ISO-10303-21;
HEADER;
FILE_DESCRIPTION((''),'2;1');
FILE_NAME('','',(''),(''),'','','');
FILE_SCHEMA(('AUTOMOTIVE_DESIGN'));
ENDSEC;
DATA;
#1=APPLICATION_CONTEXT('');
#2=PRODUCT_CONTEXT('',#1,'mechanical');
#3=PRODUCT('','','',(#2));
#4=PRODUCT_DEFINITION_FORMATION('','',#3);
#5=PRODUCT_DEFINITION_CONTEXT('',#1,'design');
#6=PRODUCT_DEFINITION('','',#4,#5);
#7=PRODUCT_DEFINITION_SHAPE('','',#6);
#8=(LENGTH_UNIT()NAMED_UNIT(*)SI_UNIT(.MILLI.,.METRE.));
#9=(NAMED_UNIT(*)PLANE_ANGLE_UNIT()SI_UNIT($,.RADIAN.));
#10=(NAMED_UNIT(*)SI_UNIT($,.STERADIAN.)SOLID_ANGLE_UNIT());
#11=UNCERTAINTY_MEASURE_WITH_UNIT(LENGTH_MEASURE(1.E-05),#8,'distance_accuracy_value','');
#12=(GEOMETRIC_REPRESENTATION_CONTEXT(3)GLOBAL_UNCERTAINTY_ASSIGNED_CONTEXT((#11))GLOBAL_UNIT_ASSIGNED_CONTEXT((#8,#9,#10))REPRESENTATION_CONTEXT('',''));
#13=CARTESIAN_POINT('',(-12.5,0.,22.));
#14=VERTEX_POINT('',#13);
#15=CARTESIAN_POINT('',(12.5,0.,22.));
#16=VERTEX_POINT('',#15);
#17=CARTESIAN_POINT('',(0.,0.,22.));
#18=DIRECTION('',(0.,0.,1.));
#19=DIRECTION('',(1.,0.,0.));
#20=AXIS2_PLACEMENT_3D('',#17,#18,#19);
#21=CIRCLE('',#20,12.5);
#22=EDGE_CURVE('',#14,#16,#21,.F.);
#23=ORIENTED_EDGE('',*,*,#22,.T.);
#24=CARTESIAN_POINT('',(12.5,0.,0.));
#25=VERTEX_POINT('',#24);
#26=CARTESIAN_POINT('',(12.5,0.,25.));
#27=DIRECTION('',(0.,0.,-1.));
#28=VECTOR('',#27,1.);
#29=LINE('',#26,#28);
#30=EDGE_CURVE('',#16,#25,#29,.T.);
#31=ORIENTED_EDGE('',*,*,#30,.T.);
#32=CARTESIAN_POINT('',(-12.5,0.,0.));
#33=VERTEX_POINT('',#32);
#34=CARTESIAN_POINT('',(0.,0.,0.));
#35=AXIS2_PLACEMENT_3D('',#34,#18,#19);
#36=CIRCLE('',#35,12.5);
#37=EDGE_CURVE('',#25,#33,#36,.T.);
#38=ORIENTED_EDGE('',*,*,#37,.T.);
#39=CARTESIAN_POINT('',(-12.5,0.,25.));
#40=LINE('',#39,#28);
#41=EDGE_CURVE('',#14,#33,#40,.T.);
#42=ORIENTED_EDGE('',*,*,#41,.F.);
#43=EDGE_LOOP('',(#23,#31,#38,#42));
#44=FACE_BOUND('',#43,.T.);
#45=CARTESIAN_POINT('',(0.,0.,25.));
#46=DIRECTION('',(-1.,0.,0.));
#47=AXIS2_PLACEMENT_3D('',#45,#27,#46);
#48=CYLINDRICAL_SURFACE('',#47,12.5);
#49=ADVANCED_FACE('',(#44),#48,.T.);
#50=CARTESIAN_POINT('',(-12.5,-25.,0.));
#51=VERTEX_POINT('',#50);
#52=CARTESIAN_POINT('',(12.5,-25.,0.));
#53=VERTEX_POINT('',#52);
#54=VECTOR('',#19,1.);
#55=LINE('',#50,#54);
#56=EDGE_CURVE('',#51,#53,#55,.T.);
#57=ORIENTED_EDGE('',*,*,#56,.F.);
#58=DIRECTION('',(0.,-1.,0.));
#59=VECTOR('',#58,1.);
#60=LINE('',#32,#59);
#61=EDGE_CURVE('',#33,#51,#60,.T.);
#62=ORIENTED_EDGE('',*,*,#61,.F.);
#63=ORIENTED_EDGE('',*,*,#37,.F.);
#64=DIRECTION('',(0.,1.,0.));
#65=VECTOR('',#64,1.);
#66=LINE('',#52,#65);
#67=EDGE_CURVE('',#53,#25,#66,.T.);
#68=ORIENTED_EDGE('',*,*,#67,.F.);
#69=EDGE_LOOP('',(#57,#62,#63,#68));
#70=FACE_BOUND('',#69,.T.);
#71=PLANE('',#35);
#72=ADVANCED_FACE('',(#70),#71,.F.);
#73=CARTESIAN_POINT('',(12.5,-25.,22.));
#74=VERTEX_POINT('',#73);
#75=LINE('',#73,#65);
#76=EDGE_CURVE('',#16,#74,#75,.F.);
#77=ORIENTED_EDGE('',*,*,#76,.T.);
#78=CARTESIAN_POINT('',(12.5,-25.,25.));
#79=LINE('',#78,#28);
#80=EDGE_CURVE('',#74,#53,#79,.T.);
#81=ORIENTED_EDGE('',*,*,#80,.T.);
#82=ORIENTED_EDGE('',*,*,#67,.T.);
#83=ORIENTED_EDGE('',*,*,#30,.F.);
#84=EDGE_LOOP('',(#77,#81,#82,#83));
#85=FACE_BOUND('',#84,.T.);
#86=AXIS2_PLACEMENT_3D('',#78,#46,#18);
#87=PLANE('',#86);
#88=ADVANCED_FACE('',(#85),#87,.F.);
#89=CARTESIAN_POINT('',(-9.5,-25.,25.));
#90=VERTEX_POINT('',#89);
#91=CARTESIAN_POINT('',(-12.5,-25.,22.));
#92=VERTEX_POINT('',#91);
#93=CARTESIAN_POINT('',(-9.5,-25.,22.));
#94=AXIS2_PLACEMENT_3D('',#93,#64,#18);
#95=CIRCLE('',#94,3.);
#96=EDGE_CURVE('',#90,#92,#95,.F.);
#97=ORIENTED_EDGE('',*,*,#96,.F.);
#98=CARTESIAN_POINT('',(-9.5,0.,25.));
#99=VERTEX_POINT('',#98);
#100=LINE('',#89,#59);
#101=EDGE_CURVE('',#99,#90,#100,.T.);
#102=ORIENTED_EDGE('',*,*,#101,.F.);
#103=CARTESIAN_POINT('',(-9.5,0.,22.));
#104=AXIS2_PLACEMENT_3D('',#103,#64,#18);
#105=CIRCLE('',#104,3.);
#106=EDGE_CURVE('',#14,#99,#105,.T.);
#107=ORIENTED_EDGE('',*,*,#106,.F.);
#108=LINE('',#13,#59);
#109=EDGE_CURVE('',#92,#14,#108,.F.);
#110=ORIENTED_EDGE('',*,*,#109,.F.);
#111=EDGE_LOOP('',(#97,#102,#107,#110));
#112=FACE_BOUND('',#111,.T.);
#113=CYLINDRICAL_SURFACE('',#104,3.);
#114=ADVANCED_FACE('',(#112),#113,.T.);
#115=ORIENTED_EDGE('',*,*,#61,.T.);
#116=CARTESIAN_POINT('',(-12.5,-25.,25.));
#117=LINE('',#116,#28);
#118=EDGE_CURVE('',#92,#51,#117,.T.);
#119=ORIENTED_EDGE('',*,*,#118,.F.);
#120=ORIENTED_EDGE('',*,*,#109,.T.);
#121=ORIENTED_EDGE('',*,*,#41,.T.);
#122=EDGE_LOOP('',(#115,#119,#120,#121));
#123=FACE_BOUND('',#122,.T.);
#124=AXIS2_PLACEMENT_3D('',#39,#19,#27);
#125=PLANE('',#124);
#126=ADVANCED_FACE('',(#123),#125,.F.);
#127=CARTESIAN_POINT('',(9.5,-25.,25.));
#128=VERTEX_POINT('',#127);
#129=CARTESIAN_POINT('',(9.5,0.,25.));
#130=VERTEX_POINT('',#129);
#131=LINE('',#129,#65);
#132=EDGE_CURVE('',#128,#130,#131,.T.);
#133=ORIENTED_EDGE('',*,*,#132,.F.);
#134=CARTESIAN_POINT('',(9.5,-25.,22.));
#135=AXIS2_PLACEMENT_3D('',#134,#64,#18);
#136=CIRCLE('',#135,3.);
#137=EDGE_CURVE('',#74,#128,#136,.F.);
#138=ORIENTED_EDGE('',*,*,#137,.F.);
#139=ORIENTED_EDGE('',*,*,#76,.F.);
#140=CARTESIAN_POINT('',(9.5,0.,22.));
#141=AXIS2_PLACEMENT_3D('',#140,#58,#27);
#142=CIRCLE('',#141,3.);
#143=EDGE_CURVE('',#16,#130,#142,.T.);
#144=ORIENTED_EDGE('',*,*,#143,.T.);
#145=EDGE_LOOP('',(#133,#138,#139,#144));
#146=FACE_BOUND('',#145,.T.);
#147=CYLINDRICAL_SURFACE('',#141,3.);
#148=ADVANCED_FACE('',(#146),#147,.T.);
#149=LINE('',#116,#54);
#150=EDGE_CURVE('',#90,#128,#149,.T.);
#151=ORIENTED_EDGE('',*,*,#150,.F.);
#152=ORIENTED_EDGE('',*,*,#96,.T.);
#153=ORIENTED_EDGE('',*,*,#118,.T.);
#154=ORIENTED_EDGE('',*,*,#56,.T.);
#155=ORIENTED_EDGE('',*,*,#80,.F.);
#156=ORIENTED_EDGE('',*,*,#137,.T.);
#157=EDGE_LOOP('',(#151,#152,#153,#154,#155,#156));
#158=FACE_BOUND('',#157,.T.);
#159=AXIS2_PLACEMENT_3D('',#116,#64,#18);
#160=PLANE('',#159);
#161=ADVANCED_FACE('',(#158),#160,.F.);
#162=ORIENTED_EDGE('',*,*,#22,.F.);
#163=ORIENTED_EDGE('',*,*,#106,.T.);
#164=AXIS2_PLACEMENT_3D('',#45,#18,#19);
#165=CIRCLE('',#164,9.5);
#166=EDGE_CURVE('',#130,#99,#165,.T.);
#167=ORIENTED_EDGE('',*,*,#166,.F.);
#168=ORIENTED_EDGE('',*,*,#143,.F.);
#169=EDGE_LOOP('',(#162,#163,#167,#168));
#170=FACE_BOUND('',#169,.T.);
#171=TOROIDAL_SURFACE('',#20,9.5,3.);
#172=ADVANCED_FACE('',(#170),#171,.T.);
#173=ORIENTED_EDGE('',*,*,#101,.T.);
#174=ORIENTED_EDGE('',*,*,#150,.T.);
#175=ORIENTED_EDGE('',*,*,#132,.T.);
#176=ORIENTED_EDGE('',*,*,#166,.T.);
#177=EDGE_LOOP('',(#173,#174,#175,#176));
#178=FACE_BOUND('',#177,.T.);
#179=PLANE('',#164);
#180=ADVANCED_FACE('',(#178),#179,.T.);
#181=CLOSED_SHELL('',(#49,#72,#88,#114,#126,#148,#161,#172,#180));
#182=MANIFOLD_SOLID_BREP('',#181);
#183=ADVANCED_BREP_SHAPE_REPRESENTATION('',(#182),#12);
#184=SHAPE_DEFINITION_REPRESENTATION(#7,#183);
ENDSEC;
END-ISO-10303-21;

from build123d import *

# Parameters (mm, degrees)
EXTRUDE_1_DEPTH = 25
FILLET_1_R      = 3


with BuildPart() as part:
    # Эскиз1 → Бобышка-Вытянуть1 (new body)
    with BuildSketch(Plane.XY):
        with BuildLine():
            Line((-12.5, 0), (-12.5, -25))
            Line((-12.5, -25), (12.5, -25))
            Line((12.5, -25), (12.5, 0))
            ThreePointArc((12.5, 0), (0, 12.5), (-12.5, 0))
        make_face()
    extrude(amount=EXTRUDE_1_DEPTH)

    # Скругление1
    fillet_1_edges = [part.edges().sort_by_distance(p)[0] for p in [
        (12.5, -12.5, 25),
        (0, 12.5, 25),
        (-12.5, -12.5, 25),
    ]]
    fillet(fillet_1_edges, radius=FILLET_1_R)


solid = part.part
